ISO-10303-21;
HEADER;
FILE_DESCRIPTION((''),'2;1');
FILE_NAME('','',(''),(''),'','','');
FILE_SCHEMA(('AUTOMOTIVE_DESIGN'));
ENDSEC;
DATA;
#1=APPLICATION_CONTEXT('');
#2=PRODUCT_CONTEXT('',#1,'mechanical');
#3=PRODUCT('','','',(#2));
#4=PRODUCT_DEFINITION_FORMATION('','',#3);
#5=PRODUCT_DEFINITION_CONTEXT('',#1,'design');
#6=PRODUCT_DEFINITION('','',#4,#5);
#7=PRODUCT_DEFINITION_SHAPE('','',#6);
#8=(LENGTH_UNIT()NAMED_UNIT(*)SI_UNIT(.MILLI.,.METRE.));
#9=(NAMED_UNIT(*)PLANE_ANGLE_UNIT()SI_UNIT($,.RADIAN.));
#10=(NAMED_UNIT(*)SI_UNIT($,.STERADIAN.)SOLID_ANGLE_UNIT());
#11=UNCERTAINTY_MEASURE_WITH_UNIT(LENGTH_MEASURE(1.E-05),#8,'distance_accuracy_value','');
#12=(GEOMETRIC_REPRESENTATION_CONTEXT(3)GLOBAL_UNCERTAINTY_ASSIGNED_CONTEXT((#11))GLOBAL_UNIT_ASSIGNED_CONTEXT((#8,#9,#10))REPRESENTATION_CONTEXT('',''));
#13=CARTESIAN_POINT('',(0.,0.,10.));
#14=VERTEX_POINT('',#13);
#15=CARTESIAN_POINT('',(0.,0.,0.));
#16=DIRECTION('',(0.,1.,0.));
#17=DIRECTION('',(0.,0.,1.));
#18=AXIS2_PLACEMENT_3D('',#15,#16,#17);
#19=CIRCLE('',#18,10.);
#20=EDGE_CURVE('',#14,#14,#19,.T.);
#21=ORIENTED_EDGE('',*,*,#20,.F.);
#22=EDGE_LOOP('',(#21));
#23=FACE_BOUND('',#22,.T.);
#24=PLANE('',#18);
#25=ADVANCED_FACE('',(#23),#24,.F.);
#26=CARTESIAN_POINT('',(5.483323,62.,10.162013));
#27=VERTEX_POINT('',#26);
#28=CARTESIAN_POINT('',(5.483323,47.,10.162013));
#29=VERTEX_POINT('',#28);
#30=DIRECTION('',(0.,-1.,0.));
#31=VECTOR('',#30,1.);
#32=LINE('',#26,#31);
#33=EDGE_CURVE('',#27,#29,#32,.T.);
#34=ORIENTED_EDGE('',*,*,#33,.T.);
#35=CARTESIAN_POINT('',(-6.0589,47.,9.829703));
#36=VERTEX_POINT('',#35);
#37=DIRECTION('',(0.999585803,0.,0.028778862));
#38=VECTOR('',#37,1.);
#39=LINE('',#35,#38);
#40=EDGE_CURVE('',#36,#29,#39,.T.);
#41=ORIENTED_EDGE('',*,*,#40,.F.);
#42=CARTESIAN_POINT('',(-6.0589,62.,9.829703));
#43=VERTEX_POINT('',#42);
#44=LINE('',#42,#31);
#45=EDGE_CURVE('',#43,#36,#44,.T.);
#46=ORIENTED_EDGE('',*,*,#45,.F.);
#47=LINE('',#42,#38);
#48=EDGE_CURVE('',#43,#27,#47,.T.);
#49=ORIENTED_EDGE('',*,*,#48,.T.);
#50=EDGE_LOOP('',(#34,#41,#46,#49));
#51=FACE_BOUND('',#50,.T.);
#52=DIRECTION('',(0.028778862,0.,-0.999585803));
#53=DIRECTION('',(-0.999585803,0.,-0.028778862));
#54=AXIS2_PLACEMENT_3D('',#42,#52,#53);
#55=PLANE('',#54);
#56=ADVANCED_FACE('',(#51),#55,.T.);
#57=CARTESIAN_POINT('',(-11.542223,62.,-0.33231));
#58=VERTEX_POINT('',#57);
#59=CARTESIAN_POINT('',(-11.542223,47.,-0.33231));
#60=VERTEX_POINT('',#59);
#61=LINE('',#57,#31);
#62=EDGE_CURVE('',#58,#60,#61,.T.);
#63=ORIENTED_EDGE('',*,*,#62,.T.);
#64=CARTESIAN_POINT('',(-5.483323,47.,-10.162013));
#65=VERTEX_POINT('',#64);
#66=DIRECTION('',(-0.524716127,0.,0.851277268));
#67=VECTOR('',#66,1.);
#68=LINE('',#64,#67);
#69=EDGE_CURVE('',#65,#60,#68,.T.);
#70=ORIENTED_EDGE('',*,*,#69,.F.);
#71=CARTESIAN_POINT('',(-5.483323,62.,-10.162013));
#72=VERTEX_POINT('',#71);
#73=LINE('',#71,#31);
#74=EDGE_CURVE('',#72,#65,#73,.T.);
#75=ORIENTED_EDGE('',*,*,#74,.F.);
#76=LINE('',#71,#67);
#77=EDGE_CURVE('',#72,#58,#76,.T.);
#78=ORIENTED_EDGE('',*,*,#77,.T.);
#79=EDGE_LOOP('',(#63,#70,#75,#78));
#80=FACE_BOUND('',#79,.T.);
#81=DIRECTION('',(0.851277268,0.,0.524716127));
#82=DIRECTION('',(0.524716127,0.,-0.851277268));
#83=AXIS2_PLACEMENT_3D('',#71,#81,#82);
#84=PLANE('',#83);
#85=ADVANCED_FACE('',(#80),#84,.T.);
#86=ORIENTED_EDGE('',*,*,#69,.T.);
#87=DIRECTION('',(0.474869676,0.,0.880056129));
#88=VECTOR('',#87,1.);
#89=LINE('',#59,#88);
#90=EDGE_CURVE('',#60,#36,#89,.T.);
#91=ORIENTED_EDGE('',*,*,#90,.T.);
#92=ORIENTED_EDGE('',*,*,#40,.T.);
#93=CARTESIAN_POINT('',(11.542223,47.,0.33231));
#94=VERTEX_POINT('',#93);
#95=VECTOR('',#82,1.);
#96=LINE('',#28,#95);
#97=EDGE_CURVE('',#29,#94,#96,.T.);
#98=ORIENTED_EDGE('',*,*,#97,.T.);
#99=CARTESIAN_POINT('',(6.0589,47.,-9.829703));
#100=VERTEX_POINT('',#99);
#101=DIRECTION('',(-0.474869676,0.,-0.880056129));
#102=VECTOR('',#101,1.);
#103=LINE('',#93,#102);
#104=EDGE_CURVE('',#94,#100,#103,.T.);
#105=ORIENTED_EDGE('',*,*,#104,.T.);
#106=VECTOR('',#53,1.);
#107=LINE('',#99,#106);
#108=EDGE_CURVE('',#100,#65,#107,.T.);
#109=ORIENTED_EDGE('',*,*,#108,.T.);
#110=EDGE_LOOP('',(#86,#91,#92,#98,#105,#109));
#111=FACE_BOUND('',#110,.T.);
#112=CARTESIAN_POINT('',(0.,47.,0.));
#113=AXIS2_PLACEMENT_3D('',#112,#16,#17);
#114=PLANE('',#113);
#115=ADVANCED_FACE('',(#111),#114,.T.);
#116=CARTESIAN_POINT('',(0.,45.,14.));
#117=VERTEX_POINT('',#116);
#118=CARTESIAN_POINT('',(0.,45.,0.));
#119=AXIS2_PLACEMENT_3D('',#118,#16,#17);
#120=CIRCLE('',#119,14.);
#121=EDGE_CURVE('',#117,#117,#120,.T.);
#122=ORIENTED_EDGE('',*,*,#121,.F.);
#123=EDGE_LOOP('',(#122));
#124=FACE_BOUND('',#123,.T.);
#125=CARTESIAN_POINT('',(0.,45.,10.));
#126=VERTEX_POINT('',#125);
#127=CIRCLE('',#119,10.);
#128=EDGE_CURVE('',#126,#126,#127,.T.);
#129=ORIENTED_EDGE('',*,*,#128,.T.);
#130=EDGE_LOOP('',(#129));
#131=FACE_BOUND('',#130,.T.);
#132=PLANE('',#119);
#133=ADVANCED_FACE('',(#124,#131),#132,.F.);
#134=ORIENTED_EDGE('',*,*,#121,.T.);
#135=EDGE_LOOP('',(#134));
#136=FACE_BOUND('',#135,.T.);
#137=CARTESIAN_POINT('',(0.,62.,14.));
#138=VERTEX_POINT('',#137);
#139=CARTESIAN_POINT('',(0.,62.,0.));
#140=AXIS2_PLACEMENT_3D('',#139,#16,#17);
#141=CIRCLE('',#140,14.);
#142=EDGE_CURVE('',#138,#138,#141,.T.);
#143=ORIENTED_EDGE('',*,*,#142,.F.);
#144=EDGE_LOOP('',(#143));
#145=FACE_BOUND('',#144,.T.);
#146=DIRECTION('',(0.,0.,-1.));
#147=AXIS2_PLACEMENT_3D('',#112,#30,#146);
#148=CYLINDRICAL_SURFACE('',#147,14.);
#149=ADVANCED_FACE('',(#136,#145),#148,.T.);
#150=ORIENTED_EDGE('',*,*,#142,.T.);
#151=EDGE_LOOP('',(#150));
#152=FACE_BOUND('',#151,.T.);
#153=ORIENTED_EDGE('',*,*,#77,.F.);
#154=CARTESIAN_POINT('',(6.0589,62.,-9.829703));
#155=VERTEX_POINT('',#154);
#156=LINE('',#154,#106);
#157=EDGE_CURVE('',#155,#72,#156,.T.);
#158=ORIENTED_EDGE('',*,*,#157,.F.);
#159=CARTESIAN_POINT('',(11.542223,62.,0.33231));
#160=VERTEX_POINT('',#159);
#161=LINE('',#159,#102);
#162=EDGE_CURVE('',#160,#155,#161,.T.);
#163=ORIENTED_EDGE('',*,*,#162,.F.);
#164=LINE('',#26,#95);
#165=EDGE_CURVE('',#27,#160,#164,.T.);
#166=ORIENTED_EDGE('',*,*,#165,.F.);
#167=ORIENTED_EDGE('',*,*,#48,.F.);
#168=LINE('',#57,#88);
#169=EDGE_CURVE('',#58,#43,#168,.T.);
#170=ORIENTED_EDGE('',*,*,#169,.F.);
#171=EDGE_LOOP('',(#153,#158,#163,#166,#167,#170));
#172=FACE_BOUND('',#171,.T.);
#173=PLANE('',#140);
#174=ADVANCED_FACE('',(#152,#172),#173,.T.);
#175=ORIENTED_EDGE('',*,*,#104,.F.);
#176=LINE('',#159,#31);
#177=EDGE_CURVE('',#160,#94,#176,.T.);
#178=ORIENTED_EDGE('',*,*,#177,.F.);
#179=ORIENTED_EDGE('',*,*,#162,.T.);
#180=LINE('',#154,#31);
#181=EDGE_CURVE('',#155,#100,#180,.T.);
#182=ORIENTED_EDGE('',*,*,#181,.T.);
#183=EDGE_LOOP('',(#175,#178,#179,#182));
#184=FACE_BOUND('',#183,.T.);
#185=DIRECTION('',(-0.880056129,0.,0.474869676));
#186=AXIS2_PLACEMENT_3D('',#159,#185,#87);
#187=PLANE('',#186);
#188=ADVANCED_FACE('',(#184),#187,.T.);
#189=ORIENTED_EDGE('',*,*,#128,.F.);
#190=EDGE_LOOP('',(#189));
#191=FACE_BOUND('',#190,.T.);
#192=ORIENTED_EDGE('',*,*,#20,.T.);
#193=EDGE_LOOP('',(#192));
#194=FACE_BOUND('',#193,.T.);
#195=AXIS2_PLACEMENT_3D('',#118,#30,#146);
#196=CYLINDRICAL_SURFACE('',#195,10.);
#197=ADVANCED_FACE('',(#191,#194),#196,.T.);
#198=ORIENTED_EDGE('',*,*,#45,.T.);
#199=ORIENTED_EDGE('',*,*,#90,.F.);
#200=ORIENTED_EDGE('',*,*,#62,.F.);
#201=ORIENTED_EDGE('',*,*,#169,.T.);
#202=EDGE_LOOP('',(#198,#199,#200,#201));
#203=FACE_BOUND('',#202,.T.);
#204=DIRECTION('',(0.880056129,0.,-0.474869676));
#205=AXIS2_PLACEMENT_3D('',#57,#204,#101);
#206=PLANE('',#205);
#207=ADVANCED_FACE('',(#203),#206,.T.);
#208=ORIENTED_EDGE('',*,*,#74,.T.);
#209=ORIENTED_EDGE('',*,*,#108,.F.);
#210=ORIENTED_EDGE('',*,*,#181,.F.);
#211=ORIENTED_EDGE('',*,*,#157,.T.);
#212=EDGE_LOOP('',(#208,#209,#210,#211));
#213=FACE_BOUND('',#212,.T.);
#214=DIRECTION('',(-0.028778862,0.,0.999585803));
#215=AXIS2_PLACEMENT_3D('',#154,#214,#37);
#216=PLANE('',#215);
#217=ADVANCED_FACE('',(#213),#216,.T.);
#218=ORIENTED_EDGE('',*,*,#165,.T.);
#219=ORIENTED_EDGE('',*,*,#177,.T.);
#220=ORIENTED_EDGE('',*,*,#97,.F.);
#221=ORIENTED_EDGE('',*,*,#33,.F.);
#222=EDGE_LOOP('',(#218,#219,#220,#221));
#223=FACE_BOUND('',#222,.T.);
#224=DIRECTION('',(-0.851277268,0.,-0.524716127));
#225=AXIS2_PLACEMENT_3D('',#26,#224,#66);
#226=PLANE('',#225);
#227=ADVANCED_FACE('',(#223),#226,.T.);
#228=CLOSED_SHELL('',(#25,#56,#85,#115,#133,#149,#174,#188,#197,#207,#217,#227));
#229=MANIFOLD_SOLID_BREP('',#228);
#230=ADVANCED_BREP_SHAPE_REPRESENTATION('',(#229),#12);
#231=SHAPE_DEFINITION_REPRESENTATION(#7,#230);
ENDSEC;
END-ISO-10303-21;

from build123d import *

# Parameters (mm, degrees)
SKETCH1_R           = 10
BOSS_EXTRUDE1_DEPTH = 45
SKETCH2_R           = 14
BOSS_EXTRUDE2_DEPTH = 2
SKETCH3_R           = 14
BOSS_EXTRUDE3_DEPTH = 15


with BuildPart() as part:
    # Sketch1 → Boss-Extrude1 (new body)
    with BuildSketch(Plane(origin=(0, 0, 0), x_dir=(1, 0, 0), z_dir=(0, 1, 0))):
        Circle(SKETCH1_R)
    extrude(amount=BOSS_EXTRUDE1_DEPTH)

    # Sketch2 → Boss-Extrude2 (add)
    with BuildSketch(Plane(origin=(0, 45, 0), x_dir=(1, 0, 0), z_dir=(0, 1, 0))):
        Circle(SKETCH2_R)
    extrude(amount=BOSS_EXTRUDE2_DEPTH)

    # Sketch3 → Boss-Extrude3 (add)
    with BuildSketch(Plane(origin=(0, 47, 0), x_dir=(1, 0, 0), z_dir=(0, 1, 0))):
        Circle(SKETCH3_R)
        Polygon((11.542222646, -0.332309673), (6.058899942, 9.829703191), (-5.483322704, 10.162012864), (-11.542222646, 0.332309673), (-6.058899942, -9.829703191), (5.483322704, -10.162012864), align=None, mode=Mode.SUBTRACT)
    extrude(amount=BOSS_EXTRUDE3_DEPTH)


solid = part.part
